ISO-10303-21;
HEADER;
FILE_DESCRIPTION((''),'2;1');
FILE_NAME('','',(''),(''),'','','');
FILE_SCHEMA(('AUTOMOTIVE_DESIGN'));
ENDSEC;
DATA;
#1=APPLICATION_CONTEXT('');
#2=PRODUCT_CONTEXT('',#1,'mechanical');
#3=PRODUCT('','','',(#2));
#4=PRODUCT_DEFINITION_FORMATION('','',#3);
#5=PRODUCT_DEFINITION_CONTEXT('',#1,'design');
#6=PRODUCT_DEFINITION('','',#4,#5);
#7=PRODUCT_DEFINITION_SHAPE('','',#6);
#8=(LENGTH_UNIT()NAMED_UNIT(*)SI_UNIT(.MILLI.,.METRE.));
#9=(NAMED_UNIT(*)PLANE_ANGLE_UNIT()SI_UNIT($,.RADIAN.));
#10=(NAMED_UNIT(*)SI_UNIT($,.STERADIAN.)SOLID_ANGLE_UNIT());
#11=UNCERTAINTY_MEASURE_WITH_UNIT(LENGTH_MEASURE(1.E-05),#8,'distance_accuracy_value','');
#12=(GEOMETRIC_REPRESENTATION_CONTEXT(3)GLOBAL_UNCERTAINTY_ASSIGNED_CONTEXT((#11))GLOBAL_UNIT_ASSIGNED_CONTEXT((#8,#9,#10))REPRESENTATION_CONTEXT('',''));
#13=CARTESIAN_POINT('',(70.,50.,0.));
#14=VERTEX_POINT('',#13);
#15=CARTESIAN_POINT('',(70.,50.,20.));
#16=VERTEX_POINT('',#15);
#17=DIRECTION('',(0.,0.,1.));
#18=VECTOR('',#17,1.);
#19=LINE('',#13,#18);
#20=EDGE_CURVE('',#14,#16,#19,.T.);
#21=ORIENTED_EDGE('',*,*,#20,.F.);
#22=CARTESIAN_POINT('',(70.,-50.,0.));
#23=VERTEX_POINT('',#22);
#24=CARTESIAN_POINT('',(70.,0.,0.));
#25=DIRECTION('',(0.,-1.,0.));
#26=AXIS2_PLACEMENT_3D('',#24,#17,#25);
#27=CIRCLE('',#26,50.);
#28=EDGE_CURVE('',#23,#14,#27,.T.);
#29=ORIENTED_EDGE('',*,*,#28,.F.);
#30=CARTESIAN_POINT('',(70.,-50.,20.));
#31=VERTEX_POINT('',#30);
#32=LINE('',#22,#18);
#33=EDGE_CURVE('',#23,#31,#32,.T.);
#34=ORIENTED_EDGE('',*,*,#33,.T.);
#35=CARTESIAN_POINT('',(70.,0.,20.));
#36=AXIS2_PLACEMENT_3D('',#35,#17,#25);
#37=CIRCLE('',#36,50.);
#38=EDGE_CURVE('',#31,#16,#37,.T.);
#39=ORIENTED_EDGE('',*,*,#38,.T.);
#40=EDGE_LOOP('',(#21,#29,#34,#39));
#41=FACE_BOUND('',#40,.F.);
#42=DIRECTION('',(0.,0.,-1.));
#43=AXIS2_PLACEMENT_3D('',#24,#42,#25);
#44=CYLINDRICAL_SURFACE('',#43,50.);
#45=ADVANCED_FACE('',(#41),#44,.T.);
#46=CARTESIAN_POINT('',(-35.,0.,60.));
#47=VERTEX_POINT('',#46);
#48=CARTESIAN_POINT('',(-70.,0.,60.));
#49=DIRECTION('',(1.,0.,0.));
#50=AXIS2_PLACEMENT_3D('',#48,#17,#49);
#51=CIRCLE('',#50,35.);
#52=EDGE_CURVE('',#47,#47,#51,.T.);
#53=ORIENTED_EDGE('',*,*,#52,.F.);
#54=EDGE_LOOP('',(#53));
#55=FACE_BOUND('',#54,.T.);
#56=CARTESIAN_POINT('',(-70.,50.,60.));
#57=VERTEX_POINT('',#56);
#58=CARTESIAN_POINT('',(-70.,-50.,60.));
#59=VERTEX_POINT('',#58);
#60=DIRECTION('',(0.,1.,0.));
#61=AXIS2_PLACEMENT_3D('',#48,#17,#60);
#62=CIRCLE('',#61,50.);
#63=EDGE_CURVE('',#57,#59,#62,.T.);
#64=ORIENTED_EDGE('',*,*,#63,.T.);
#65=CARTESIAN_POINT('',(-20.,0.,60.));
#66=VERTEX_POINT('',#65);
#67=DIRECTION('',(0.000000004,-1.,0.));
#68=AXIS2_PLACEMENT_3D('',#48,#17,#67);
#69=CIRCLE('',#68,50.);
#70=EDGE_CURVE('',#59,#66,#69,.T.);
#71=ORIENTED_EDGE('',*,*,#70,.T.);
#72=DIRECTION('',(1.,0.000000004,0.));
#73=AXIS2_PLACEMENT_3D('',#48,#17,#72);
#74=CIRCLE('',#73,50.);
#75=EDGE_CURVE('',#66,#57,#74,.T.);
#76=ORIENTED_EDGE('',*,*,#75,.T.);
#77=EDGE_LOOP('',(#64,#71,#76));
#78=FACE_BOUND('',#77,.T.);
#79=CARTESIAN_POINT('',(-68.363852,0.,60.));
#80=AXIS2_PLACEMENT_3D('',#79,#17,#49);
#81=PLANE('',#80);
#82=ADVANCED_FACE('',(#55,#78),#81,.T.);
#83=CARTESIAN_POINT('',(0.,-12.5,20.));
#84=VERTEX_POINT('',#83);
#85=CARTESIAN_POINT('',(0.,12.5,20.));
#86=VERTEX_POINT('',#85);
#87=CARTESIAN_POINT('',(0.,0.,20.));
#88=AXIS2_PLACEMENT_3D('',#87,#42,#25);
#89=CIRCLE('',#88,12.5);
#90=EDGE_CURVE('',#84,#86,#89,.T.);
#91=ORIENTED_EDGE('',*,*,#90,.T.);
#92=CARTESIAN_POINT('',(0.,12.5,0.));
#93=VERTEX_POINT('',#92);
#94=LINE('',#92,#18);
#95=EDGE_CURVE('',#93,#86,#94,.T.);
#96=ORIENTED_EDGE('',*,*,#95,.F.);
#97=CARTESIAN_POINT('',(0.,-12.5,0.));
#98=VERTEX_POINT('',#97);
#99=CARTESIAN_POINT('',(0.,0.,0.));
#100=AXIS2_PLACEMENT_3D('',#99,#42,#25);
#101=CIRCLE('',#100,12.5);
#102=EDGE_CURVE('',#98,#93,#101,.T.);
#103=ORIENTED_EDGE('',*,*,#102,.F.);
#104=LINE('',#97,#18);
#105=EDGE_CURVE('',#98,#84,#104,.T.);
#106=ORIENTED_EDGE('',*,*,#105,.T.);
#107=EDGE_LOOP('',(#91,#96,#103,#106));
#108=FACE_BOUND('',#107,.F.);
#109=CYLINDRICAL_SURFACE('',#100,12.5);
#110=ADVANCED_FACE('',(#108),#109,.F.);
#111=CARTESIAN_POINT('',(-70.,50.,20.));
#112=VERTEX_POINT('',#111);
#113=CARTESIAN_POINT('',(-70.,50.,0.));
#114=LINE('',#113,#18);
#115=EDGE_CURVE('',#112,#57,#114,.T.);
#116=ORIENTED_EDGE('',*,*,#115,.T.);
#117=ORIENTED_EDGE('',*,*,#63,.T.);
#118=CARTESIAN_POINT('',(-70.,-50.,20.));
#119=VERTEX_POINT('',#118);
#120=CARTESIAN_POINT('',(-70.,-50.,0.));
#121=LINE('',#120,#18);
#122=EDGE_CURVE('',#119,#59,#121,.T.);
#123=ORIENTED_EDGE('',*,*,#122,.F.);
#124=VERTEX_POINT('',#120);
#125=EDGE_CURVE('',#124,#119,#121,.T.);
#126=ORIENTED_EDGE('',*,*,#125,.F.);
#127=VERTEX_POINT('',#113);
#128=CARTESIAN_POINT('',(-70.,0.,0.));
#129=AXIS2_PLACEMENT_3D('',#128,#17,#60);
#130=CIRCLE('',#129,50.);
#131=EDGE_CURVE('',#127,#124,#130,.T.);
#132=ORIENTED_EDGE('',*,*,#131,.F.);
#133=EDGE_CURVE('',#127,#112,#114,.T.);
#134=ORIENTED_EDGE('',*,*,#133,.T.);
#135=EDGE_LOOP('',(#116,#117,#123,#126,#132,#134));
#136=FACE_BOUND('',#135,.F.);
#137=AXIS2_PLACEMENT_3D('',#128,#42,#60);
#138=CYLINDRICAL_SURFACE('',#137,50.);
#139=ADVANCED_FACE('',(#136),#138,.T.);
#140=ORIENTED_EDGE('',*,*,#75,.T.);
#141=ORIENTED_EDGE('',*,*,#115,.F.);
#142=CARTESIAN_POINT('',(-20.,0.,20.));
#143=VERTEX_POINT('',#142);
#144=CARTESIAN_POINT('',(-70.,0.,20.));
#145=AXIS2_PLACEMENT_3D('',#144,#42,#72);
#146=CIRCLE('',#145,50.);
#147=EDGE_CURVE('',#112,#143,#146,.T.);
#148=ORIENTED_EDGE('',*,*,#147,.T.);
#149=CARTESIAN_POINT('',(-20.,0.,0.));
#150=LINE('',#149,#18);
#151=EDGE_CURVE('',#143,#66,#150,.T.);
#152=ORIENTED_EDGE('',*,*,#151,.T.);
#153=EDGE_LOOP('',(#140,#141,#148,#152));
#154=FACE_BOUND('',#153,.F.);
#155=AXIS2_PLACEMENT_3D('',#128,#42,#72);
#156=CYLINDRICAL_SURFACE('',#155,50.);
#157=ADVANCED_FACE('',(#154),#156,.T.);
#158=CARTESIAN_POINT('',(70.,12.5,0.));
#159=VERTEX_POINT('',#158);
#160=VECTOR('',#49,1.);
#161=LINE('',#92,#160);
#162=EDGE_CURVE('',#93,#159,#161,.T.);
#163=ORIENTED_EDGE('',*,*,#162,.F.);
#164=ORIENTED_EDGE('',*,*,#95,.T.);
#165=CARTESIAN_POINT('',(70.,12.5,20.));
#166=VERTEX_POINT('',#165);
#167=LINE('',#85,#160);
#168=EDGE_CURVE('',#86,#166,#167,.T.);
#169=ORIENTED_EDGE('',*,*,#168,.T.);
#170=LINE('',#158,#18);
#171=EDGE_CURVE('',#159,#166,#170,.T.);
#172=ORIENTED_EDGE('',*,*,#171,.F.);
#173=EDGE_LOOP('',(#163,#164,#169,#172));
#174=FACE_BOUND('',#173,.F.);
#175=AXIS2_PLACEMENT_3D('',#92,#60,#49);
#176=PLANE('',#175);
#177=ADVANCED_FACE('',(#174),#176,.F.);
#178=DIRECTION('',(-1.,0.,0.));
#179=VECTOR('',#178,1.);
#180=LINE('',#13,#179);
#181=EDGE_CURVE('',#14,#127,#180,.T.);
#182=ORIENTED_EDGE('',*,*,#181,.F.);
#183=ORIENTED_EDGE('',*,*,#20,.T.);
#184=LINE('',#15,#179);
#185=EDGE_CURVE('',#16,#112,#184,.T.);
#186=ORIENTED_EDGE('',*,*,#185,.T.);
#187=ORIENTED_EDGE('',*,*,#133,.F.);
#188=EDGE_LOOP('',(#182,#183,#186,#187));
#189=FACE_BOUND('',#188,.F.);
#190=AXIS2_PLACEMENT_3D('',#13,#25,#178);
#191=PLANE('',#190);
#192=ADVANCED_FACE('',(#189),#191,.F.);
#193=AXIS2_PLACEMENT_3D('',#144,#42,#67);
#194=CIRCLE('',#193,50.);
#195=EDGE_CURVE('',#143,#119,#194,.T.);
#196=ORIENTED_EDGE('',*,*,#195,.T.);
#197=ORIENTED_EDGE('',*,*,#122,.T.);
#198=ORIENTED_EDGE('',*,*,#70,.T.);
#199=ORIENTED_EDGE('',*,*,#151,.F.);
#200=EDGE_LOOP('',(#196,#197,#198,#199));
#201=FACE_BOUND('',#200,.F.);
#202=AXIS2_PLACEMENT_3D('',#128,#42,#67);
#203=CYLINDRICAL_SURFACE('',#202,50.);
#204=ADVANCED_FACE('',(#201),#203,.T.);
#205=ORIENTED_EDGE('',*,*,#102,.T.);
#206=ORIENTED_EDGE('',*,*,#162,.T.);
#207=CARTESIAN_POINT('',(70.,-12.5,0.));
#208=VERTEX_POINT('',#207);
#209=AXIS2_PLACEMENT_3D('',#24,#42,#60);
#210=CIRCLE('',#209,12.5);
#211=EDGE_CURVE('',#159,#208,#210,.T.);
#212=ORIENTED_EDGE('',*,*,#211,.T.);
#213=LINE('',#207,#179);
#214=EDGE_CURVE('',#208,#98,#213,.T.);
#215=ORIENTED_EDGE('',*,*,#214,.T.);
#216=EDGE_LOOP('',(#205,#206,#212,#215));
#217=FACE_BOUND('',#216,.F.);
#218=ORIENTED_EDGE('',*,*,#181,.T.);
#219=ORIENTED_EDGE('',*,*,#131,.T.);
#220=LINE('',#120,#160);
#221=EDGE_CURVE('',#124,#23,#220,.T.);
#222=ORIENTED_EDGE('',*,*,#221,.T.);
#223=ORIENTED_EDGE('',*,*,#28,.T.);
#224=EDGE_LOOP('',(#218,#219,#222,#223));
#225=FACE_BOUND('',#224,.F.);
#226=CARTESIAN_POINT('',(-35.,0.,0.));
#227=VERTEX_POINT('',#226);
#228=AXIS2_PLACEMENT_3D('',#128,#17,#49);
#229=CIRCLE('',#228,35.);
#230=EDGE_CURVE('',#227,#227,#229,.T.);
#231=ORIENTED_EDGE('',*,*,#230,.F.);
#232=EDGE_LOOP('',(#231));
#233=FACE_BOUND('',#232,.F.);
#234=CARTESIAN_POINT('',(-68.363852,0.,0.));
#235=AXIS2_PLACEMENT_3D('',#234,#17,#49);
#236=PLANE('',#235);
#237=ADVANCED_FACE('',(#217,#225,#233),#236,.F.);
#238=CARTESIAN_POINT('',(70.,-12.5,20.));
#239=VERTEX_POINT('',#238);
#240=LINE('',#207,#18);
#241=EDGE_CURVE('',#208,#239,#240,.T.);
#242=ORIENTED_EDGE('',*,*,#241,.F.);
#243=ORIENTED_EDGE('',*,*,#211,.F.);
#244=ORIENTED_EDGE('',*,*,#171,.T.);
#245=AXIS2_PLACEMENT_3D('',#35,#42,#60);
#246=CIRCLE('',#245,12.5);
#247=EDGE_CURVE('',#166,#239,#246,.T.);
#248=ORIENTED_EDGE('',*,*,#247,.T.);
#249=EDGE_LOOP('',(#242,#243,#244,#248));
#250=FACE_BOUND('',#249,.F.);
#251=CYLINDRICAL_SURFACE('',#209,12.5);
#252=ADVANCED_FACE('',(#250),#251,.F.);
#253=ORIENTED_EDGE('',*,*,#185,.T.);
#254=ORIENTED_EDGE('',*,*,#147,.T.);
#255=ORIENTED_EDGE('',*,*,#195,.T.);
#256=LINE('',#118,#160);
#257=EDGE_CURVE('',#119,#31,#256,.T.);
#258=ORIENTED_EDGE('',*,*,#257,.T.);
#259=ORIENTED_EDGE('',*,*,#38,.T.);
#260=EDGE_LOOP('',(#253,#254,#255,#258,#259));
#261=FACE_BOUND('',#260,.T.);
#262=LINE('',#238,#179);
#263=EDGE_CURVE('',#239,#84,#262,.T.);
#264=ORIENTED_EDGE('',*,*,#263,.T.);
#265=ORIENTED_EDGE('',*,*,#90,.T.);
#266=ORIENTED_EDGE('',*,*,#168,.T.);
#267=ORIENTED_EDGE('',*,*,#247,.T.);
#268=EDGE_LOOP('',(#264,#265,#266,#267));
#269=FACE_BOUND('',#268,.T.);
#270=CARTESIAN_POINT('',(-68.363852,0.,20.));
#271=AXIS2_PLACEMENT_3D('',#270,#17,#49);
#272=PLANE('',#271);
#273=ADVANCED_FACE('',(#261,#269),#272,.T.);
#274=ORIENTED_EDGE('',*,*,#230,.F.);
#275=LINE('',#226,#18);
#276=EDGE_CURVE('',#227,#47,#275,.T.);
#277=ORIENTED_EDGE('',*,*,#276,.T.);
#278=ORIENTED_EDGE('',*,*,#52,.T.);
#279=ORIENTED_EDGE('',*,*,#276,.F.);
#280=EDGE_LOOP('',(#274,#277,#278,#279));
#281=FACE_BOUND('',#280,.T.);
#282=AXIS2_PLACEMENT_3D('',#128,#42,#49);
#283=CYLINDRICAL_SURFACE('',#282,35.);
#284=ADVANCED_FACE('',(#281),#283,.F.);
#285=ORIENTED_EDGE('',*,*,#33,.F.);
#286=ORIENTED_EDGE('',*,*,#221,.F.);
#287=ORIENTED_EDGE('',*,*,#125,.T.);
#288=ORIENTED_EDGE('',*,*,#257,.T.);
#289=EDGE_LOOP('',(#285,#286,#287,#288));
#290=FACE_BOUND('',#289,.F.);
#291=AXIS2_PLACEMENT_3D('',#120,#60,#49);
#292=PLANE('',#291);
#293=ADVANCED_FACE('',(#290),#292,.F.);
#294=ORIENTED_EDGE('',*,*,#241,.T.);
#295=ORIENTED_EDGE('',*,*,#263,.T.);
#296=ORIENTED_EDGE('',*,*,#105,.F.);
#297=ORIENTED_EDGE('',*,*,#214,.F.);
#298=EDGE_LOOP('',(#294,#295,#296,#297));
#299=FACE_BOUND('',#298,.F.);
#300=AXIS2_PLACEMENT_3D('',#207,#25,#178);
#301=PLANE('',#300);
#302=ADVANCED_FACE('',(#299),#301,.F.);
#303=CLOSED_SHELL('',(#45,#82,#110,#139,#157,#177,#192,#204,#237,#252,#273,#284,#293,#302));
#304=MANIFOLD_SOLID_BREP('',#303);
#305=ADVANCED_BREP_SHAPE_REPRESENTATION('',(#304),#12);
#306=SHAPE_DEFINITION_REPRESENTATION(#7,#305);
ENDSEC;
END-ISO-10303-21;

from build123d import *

# Parameters (mm, degrees)
F0_R     = 35
F1_DEPTH = 20
F2_DEPTH = 60


with BuildPart() as f1:
    # F0 (on Top) → F1 (new body)
    with BuildSketch(Plane.XY):
        with BuildLine():
            ThreePointArc((-70, -50), (-34.644661, -35.355339), (-20, 0))
            ThreePointArc((-20, 0), (-34.644661, 35.355339), (-70, 50))
            ThreePointArc((-70, 50), (-120, 0), (-70, -50))
        make_face()
        with Locations((-70, 0)):
            Circle(F0_R, mode=Mode.SUBTRACT)
        with BuildLine():
            ThreePointArc((-70, 50), (-34.644661, 35.355339), (-20, 0))
            ThreePointArc((-20, 0), (-34.644661, -35.355339), (-70, -50))
            Line((-70, -50), (70, -50))
            ThreePointArc((70, -50), (120, 0), (70, 50))
            Line((70, 50), (-70, 50))
        make_face()
        with BuildLine():
            Line((70, -12.5), (0, -12.5))
            ThreePointArc((0, -12.5), (-12.5, 0), (0, 12.5))
            Line((0, 12.5), (70, 12.5))
            ThreePointArc((70, 12.5), (82.5, 0), (70, -12.5))
        make_face(mode=Mode.SUBTRACT)
    extrude(amount=F1_DEPTH)

    # F0 (on Top) → F2 (join)
    with BuildSketch(Plane.XY):
        with BuildLine():
            ThreePointArc((-70, -50), (-34.644661, -35.355339), (-20, 0))
            ThreePointArc((-20, 0), (-34.644661, 35.355339), (-70, 50))
            ThreePointArc((-70, 50), (-120, 0), (-70, -50))
        make_face()
        with Locations((-70, 0)):
            Circle(F0_R, mode=Mode.SUBTRACT)
    extrude(amount=F2_DEPTH)


solid = f1.part
